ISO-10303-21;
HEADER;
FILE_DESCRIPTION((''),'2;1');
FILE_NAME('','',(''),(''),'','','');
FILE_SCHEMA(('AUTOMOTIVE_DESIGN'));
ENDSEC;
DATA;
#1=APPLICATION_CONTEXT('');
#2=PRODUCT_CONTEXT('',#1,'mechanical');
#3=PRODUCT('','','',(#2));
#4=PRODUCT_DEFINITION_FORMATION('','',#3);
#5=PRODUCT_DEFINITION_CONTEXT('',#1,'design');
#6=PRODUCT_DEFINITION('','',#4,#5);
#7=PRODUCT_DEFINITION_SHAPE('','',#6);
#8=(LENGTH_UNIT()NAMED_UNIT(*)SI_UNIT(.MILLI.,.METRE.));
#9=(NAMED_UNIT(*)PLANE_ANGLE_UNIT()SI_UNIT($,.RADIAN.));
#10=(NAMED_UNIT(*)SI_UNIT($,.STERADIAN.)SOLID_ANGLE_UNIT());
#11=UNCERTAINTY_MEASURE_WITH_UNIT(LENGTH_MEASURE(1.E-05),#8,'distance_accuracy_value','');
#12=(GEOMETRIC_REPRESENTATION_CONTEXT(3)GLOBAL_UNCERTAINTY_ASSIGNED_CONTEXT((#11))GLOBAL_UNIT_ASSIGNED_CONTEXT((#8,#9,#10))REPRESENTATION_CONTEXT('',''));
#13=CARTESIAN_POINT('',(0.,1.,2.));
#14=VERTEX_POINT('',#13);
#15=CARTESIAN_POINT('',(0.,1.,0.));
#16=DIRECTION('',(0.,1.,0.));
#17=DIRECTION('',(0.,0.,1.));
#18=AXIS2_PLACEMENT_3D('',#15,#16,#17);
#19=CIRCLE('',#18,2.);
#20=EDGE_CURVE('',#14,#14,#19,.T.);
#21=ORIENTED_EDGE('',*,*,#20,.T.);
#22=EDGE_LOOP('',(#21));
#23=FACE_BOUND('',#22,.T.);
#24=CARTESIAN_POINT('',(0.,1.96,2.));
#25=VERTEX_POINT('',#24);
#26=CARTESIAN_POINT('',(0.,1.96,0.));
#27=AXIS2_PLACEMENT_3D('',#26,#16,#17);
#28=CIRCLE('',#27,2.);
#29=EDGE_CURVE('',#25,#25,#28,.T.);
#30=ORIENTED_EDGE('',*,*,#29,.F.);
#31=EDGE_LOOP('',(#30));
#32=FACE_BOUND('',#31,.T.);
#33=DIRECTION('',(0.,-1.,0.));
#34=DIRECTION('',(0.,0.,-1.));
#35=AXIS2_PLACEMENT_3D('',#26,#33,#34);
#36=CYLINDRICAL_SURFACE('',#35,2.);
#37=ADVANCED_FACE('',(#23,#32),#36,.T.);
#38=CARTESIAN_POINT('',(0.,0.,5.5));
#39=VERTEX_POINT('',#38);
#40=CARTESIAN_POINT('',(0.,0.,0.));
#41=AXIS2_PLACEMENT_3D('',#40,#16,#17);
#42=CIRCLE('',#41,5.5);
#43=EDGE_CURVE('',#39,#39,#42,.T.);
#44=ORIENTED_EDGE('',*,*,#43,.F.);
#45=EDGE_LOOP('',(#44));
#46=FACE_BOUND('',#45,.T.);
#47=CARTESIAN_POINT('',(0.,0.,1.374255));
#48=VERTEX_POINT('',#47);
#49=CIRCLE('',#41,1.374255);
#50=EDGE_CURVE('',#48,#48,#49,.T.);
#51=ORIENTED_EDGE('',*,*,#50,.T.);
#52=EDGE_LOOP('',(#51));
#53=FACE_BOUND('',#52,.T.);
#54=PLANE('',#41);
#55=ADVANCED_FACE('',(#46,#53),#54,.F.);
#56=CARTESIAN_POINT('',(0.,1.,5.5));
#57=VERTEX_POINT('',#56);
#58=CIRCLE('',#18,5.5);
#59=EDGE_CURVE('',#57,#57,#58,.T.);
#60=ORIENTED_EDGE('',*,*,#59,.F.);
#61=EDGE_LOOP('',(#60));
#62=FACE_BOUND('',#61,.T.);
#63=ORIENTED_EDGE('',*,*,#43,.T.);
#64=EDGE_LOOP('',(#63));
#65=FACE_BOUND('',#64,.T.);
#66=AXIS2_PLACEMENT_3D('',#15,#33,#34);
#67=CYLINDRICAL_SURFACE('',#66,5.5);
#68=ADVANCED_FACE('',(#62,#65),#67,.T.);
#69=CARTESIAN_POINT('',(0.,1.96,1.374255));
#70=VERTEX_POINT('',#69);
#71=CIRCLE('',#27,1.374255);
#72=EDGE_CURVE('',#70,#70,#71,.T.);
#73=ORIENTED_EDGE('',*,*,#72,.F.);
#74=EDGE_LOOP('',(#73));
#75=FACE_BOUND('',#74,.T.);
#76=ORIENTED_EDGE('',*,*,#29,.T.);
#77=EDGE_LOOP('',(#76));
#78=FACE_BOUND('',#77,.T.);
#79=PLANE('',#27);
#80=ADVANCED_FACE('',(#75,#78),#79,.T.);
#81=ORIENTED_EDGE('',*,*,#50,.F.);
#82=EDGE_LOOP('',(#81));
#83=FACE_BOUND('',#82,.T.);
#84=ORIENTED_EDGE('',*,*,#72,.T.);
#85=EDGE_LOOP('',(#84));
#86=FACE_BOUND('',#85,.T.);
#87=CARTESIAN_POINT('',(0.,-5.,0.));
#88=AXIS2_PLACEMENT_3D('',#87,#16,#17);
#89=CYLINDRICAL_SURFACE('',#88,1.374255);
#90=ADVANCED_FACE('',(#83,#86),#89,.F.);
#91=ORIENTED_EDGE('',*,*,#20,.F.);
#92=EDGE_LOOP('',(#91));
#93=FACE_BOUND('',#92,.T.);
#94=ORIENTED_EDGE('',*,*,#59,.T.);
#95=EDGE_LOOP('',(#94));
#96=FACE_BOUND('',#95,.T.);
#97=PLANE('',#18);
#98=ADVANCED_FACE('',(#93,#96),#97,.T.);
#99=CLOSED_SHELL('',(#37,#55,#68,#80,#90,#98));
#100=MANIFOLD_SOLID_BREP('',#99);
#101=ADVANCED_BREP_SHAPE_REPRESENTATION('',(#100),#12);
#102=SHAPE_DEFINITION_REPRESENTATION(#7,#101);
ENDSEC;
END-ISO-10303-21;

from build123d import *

# Parameters (mm, degrees)
SKETCH1_R           = 5.5
BOSS_EXTRUDE1_DEPTH = 1
SKETCH2_R           = 2
BOSS_EXTRUDE2_DEPTH = 0.96
SKETCH3_R           = 1.374255277
CUT_EXTRUDE1_DEPTH  = 6.96


with BuildPart() as part:
    # Sketch1 → Boss-Extrude1 (new body)
    with BuildSketch(Plane(origin=(0, 0, 0), x_dir=(1, 0, 0), z_dir=(0, 1, 0))):
        Circle(SKETCH1_R)
    extrude(amount=BOSS_EXTRUDE1_DEPTH)

    # Sketch2 → Boss-Extrude2 (add)
    with BuildSketch(Plane(origin=(0, 1, 0), x_dir=(1, 0, 0), z_dir=(0, 1, 0))):
        Circle(SKETCH2_R)
    extrude(amount=BOSS_EXTRUDE2_DEPTH)

    # Sketch3 → Cut-Extrude1 (cut)
    with BuildSketch(Plane(origin=(0, 1.96, 0), x_dir=(1, 0, 0), z_dir=(0, 1, 0))):
        Circle(SKETCH3_R)
    extrude(amount=-CUT_EXTRUDE1_DEPTH, mode=Mode.SUBTRACT)


solid = part.part
